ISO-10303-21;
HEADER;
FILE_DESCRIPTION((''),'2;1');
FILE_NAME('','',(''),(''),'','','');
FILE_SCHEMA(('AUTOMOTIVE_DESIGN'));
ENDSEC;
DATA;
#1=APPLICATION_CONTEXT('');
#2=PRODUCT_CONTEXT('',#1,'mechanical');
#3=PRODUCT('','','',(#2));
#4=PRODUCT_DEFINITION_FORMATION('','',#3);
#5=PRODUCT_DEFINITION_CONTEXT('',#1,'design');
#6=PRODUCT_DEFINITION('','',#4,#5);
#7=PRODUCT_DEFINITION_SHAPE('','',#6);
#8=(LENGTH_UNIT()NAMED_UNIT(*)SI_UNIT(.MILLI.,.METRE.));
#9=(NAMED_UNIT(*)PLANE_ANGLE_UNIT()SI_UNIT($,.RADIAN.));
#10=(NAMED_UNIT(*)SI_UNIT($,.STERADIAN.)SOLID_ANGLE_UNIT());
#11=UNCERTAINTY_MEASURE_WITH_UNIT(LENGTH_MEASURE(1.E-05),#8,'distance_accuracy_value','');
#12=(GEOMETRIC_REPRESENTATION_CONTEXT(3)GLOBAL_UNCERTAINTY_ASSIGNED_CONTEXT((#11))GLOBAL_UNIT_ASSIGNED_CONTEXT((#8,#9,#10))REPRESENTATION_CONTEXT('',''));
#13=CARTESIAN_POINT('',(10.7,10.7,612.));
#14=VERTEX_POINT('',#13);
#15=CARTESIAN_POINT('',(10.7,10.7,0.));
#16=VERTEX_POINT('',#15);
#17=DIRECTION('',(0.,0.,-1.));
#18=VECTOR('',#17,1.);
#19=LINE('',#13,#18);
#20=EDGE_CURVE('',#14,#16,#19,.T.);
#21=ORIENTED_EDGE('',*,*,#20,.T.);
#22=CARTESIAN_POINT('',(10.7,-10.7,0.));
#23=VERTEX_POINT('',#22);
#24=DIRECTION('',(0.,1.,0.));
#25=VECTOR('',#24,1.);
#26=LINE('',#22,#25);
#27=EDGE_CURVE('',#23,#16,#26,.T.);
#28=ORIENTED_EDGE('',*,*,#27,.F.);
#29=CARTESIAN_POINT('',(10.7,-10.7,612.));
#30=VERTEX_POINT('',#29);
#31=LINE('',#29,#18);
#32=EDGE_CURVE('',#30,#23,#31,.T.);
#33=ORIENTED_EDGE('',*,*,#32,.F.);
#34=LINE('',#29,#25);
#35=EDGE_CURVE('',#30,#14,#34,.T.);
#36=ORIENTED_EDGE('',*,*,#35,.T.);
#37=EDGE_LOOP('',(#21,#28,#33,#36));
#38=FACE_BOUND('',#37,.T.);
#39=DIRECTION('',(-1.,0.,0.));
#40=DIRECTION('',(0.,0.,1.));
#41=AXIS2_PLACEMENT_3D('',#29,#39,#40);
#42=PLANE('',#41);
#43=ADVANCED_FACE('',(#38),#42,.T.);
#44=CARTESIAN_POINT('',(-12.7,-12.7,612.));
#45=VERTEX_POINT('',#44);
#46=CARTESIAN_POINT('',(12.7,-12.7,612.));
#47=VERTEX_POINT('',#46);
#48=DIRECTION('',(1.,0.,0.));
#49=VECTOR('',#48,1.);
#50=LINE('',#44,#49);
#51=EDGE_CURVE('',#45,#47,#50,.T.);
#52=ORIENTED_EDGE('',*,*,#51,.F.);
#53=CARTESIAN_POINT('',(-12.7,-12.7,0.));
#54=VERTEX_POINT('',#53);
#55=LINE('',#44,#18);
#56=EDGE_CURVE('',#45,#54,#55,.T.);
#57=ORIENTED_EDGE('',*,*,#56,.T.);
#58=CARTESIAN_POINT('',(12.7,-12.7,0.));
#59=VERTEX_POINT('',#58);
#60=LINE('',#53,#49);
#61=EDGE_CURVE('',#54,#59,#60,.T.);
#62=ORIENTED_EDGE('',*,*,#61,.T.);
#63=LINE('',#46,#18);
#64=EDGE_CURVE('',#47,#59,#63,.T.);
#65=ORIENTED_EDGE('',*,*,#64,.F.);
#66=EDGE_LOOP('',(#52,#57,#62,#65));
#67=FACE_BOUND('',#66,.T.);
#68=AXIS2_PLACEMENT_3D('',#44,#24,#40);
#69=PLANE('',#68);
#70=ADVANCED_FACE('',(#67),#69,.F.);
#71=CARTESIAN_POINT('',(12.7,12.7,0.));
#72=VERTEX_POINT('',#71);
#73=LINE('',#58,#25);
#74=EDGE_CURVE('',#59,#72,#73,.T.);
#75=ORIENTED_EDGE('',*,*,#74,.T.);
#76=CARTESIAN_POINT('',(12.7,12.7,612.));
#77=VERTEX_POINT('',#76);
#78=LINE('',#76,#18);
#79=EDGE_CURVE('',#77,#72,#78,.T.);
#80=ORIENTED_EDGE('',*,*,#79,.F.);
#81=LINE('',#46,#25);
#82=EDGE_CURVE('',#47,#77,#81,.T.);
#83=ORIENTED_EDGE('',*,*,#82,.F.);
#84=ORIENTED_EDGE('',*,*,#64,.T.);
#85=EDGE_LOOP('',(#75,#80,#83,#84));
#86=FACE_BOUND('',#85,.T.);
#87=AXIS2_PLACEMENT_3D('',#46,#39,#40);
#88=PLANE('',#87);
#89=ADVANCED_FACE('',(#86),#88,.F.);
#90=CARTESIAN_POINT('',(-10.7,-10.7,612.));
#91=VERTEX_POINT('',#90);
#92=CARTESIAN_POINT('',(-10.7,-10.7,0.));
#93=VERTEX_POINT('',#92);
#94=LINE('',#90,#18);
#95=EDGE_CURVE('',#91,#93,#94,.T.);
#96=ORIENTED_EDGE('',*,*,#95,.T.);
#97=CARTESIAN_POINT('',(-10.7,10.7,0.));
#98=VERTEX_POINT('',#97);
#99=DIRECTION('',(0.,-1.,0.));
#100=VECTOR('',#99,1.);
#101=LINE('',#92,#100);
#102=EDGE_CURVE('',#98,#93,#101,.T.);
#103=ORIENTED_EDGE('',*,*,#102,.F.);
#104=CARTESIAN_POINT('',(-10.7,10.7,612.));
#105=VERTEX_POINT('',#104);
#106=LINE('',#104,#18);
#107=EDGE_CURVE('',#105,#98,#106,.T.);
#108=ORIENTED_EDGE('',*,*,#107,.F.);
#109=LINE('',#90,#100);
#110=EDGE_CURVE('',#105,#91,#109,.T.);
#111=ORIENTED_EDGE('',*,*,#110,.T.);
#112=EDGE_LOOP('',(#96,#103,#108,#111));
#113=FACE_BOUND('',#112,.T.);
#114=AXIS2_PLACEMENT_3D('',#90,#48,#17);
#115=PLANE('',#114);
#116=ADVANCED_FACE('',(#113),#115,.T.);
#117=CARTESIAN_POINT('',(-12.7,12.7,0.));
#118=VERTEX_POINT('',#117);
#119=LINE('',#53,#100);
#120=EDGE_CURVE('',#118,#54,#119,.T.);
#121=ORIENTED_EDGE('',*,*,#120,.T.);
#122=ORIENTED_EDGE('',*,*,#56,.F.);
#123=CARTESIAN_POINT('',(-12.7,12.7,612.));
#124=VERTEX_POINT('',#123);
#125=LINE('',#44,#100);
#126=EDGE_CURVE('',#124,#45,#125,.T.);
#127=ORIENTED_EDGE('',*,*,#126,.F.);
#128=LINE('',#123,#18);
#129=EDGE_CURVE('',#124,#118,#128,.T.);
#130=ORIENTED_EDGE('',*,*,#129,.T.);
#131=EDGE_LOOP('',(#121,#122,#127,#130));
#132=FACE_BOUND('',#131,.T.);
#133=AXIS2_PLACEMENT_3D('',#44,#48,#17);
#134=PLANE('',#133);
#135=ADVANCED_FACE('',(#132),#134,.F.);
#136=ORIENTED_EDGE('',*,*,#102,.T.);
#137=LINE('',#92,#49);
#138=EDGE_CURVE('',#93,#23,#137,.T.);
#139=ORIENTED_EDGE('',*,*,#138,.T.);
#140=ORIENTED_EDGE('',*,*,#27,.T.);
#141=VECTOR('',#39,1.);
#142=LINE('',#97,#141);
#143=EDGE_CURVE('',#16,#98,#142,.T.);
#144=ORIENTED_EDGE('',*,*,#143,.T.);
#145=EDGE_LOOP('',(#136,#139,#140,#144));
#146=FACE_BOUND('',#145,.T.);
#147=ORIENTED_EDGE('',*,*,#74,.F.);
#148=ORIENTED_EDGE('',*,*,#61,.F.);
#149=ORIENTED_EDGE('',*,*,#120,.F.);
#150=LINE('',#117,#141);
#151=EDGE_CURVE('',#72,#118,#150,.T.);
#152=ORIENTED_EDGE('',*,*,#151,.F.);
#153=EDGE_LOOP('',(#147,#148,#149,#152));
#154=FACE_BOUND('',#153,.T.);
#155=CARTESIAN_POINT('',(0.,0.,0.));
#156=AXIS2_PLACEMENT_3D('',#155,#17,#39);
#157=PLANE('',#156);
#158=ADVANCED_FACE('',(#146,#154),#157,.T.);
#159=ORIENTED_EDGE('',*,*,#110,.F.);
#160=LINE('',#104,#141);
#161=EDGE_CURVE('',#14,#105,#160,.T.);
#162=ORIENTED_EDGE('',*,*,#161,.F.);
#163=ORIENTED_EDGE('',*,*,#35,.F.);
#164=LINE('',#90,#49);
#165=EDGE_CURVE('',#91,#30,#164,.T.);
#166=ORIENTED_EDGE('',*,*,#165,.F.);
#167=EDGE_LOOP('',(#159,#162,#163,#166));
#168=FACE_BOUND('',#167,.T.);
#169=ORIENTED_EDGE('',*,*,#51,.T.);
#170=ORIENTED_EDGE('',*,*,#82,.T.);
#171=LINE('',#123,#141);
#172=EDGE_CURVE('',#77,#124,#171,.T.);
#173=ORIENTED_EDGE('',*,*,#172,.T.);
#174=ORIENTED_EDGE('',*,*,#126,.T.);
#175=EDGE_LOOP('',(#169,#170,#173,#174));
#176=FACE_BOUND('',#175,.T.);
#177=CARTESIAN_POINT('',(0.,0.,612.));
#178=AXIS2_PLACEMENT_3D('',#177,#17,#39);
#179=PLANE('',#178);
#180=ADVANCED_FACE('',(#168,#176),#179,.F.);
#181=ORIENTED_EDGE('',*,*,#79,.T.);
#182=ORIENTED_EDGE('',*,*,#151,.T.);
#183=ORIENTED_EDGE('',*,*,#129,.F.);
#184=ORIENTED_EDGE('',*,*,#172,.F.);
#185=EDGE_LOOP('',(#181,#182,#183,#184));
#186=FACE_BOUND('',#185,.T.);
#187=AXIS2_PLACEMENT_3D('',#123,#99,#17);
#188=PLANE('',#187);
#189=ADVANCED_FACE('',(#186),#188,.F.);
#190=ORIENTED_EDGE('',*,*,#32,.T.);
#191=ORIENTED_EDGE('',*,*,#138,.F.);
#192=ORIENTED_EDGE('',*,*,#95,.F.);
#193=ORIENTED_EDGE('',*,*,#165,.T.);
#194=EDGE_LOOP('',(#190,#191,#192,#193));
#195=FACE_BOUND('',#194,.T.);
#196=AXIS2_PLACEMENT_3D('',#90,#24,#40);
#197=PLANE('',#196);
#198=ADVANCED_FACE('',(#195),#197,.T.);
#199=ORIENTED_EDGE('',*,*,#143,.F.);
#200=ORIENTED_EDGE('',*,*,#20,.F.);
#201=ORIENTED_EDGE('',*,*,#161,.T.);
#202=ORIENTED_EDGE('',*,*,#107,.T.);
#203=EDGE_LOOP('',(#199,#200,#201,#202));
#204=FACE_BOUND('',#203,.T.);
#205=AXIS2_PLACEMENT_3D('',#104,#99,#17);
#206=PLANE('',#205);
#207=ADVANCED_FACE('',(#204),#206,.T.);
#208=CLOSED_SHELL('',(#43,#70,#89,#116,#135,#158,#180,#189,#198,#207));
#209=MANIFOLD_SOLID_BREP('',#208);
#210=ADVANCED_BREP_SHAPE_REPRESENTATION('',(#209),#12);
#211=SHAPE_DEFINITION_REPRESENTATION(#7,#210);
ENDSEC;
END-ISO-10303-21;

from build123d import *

# Parameters (mm, degrees)
SKETCH1_W           = 25.4
SKETCH1_H           = 25.4
SKETCH1_W_2         = 21.4
SKETCH1_H_2         = 21.4
BOSS_EXTRUDE1_DEPTH = 612


with BuildPart() as part:
    # Sketch1 → Boss-Extrude1 (new body)
    with BuildSketch(Plane.XY):
        Rectangle(SKETCH1_W, SKETCH1_H)
        Rectangle(SKETCH1_W_2, SKETCH1_H_2, mode=Mode.SUBTRACT)
    extrude(amount=BOSS_EXTRUDE1_DEPTH)


solid = part.part
